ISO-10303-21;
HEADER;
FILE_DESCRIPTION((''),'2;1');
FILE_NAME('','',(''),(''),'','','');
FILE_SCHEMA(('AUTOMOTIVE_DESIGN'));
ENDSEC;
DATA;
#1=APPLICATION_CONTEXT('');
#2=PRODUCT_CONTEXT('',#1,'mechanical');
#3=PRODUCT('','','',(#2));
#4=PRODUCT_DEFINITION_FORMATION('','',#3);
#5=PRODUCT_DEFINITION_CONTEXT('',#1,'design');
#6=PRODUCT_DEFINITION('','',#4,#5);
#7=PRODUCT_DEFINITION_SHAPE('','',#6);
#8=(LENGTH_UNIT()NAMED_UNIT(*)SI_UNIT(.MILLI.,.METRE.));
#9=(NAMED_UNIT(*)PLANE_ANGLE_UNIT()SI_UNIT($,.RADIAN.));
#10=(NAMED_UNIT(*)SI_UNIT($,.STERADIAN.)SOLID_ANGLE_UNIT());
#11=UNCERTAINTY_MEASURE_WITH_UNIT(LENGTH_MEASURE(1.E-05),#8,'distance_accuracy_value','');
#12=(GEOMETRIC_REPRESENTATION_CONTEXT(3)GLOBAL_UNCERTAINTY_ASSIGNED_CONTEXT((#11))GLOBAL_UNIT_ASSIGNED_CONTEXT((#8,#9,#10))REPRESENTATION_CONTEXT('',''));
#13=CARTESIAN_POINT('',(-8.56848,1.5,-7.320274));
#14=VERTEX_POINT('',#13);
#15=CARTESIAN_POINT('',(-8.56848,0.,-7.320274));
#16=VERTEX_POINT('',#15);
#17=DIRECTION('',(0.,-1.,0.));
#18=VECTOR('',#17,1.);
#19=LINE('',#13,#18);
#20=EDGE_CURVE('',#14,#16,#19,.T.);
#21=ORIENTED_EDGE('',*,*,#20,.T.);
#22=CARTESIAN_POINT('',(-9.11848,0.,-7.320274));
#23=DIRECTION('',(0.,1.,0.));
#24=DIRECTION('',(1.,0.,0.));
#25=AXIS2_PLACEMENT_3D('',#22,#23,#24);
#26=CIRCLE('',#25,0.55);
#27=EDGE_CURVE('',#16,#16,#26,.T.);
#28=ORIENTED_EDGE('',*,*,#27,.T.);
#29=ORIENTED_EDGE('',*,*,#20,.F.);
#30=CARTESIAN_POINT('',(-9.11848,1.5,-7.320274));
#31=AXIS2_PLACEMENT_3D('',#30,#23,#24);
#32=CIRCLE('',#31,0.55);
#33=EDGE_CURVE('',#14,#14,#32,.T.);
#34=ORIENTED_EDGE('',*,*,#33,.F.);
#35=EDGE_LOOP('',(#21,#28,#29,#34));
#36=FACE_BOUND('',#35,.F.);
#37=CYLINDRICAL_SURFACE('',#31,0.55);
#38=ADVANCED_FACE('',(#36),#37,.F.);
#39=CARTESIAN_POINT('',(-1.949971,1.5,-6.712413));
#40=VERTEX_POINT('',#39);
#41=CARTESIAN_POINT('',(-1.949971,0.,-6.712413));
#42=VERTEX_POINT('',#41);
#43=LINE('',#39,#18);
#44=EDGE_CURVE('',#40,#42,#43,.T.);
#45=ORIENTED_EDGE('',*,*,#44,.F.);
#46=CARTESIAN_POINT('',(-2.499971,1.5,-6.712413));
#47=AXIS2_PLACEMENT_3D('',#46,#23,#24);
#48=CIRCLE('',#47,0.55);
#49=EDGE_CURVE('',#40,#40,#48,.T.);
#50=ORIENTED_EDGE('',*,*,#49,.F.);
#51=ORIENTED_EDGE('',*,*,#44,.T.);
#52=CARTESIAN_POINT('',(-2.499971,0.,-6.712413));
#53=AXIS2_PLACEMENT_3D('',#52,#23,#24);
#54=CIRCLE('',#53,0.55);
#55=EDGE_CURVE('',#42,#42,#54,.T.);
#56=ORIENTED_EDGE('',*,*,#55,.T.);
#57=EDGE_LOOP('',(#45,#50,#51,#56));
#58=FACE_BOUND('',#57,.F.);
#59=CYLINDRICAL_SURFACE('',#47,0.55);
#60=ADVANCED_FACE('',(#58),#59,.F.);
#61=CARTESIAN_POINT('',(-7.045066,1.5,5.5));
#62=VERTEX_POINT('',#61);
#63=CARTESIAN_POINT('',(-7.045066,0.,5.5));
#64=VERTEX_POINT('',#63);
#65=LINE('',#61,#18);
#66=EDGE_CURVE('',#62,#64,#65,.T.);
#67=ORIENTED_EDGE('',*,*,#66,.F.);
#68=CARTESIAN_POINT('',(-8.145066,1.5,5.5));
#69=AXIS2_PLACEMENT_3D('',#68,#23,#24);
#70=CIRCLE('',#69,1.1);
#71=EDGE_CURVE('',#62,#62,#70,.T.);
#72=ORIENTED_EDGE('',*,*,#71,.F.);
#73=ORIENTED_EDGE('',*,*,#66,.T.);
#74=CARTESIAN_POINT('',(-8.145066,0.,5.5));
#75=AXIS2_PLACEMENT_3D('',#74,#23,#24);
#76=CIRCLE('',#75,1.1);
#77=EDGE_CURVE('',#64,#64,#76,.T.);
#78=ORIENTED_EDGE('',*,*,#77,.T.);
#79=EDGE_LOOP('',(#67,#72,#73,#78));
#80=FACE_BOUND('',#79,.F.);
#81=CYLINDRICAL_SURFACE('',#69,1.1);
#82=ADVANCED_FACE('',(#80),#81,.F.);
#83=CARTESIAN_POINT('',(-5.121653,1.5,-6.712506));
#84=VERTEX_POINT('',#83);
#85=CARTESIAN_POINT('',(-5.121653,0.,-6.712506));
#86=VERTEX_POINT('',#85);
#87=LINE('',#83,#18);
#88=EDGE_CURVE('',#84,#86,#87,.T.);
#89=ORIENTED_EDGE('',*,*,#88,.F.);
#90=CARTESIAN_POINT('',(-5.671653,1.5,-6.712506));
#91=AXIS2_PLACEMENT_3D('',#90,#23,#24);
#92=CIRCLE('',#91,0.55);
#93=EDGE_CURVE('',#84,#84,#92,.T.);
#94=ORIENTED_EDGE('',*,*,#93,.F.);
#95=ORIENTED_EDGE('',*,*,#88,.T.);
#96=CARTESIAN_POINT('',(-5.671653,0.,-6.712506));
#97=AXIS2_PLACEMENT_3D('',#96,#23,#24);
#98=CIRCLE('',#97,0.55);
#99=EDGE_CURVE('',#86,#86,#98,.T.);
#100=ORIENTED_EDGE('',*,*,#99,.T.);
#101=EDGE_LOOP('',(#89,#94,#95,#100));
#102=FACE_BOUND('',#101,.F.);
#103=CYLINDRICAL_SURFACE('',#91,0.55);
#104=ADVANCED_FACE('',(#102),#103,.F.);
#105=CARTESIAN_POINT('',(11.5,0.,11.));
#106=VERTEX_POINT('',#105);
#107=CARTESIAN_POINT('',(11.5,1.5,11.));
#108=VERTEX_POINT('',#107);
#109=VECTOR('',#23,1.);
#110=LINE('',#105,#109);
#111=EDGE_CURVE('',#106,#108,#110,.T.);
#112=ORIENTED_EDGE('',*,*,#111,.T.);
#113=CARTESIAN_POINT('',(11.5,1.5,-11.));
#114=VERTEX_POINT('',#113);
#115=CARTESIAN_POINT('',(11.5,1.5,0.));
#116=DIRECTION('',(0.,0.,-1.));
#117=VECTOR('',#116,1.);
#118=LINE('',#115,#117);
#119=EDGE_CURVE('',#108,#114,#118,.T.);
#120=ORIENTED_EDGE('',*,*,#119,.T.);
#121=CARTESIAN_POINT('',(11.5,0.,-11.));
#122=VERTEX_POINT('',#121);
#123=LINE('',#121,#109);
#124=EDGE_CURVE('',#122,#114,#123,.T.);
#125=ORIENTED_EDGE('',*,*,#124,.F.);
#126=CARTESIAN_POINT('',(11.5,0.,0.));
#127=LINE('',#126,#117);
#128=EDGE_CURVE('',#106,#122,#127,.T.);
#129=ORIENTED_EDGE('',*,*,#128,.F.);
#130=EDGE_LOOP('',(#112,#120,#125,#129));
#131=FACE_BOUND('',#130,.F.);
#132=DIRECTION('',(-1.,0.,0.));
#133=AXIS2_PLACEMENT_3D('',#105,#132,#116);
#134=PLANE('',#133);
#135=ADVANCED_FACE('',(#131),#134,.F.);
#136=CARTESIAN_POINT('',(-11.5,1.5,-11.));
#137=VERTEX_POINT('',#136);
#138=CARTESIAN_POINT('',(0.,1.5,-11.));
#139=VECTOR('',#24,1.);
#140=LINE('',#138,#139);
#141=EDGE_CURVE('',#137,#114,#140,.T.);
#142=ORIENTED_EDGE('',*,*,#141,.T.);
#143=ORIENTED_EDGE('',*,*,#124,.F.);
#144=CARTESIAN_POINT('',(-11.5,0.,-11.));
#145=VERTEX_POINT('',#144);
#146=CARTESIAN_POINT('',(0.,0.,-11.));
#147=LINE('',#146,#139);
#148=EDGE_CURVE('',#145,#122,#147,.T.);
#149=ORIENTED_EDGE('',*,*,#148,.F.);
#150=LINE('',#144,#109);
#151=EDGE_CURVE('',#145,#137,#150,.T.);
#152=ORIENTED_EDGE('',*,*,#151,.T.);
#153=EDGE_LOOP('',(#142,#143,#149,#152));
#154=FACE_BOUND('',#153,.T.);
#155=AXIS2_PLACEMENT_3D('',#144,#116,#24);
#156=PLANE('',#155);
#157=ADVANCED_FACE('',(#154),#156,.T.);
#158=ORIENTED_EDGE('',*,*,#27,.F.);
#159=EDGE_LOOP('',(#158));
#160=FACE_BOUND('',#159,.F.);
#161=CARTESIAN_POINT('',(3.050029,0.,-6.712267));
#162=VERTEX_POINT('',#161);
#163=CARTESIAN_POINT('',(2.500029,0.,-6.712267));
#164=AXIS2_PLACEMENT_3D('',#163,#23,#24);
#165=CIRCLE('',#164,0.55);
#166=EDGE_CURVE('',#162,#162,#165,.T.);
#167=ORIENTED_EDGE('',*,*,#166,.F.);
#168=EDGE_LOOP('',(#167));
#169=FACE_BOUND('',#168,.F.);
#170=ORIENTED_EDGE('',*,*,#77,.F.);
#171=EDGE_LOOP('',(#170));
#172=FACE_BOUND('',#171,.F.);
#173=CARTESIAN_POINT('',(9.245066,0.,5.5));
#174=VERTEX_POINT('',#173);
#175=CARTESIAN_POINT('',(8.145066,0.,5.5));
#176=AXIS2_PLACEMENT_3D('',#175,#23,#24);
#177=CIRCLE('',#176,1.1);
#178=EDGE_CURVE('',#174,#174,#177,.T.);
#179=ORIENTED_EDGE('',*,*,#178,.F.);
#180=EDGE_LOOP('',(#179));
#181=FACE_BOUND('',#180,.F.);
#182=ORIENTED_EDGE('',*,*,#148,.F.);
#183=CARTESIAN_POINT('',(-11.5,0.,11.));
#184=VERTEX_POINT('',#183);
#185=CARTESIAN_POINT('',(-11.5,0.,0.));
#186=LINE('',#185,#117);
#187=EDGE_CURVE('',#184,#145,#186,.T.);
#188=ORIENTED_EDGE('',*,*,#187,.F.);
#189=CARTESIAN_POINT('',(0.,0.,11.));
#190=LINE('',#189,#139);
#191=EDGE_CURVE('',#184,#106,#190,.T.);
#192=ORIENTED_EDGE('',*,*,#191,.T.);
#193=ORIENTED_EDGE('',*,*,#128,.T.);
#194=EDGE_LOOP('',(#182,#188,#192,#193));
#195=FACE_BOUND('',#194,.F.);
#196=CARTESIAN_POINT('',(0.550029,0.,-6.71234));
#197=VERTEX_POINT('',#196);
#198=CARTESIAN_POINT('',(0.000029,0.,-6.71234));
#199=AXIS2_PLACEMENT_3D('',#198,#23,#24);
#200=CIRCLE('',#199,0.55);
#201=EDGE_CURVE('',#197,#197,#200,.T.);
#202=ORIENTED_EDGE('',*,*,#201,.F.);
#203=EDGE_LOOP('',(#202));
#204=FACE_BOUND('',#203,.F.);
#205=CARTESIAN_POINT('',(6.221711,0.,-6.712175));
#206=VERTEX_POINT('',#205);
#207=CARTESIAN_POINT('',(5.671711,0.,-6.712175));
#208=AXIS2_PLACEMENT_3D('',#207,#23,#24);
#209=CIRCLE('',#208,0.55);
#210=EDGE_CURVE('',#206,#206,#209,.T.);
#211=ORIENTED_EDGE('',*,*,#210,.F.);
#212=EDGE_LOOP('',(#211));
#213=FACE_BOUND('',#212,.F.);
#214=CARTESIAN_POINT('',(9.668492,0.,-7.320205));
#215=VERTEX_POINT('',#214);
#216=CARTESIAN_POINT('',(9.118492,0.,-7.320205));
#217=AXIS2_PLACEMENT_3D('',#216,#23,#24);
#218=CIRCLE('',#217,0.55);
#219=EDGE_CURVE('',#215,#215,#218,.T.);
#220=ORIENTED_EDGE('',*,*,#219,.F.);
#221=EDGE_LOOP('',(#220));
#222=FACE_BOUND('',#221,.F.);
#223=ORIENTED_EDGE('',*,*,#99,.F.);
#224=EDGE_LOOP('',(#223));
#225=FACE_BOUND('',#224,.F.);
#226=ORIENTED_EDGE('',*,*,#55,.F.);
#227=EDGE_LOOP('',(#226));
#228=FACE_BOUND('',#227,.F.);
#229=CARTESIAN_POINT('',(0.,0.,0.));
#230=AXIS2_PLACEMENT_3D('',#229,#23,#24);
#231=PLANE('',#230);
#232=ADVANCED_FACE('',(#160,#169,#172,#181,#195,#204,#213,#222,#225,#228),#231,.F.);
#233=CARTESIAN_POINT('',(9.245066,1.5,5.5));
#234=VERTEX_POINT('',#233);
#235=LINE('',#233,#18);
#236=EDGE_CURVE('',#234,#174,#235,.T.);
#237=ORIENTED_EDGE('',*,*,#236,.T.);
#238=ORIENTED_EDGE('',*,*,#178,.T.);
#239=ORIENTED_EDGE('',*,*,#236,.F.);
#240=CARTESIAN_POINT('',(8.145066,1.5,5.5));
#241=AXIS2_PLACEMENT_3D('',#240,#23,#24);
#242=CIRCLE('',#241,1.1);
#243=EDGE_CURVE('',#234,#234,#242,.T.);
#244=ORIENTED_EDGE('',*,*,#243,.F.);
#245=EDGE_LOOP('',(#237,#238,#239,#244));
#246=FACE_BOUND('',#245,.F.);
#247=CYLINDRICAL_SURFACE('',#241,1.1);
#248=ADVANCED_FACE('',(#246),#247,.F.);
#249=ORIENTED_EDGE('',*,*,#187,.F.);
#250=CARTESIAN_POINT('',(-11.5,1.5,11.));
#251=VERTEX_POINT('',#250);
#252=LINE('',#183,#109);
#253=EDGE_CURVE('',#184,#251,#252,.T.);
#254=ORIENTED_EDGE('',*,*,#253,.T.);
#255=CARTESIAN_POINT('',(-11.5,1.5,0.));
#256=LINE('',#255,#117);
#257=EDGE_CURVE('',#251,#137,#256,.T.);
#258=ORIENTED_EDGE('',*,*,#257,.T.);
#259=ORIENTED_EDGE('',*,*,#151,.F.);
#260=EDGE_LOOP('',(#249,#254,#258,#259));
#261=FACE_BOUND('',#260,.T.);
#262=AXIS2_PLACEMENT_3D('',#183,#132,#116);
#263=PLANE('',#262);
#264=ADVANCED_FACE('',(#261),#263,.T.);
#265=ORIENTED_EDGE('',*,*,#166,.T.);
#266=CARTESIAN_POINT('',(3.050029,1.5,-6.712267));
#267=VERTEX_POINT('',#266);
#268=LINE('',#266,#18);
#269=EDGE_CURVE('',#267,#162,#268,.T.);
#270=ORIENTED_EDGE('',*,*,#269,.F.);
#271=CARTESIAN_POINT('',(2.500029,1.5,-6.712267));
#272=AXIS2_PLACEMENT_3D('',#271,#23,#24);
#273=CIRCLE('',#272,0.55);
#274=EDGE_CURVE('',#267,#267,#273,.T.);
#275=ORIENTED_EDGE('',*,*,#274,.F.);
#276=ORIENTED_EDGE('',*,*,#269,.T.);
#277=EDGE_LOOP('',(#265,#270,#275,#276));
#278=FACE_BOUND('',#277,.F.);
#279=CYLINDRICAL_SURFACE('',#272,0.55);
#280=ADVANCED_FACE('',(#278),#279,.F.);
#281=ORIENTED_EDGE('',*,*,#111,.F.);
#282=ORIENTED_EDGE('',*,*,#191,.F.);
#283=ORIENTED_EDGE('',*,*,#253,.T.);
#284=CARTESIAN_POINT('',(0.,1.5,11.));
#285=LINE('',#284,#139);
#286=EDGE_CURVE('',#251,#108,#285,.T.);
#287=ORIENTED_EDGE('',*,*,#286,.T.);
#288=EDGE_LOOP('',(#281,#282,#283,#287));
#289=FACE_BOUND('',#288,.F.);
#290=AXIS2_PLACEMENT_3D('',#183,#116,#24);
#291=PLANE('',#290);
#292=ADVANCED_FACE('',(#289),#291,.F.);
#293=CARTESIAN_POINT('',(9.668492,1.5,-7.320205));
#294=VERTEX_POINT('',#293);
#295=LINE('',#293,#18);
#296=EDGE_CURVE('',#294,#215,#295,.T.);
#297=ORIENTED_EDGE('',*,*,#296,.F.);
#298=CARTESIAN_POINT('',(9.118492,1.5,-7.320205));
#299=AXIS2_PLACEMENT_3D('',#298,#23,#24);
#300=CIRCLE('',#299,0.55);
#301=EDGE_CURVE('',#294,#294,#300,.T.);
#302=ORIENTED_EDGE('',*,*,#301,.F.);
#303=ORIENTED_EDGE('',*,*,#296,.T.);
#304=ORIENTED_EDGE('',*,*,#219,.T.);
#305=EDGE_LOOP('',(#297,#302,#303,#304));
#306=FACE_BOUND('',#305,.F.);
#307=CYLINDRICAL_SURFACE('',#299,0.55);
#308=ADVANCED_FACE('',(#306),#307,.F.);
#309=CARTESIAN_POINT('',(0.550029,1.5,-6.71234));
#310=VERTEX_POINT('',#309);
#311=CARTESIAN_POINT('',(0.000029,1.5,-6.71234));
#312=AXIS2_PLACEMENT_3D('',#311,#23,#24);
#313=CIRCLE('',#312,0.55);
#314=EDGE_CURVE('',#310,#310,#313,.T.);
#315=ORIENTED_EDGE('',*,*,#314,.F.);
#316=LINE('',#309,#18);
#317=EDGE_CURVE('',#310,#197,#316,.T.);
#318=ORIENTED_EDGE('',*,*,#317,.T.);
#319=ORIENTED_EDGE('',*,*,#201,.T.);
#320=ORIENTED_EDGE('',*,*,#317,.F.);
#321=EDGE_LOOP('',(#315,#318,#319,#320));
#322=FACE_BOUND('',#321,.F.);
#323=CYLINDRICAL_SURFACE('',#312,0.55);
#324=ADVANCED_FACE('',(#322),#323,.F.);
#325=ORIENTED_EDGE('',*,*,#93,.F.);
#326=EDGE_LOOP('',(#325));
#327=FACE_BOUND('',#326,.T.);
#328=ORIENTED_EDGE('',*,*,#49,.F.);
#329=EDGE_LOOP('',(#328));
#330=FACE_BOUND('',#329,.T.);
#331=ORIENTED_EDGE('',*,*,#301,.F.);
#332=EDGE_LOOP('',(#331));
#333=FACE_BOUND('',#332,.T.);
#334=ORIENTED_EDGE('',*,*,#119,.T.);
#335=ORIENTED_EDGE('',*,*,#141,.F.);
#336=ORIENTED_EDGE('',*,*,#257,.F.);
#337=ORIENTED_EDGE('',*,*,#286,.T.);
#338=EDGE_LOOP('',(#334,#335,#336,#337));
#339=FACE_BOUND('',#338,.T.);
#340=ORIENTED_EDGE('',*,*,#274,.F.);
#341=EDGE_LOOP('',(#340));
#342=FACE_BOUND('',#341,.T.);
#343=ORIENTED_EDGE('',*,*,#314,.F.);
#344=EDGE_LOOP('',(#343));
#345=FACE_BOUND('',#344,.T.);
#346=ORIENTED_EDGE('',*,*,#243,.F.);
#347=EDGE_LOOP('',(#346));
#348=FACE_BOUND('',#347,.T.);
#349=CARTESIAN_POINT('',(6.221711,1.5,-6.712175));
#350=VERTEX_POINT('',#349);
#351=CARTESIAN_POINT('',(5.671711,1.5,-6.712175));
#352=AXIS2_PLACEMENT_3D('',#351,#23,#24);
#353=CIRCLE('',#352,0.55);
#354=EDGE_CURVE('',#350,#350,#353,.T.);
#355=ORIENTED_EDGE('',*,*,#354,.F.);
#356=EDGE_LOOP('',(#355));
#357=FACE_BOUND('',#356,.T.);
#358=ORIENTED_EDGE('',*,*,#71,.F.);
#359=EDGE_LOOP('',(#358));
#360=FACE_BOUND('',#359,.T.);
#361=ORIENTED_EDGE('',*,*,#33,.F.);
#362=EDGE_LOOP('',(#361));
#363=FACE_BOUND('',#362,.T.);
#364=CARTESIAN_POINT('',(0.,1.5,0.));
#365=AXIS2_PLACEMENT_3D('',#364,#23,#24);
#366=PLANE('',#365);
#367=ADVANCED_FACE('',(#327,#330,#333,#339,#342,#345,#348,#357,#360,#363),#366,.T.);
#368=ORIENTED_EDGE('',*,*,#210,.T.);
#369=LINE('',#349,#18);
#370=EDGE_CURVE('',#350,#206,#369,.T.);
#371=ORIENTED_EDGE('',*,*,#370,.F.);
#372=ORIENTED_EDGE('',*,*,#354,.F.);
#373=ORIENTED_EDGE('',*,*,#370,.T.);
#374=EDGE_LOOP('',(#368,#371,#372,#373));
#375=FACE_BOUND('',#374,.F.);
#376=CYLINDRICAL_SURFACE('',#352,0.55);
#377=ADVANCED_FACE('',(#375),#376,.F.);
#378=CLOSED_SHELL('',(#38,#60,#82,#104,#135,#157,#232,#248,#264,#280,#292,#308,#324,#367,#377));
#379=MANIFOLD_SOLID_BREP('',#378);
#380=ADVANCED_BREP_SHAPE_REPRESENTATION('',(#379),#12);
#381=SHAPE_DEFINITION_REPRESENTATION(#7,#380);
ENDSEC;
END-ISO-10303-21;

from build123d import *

# Parameters (mm, degrees)
SKETCH1_W           = 23
SKETCH1_H           = 22
BOSS_EXTRUDE1_DEPTH = 1.5
SKETCH3_R           = 1.1
SKETCH3_R_2         = 0.55
CUT_EXTRUDE1_DEPTH  = 2.5


with BuildPart() as part:
    # Sketch1 → Boss-Extrude1 (new body)
    with BuildSketch(Plane(origin=(0, 0, 0), x_dir=(1, 0, 0), z_dir=(0, 1, 0))):
        Rectangle(SKETCH1_W, SKETCH1_H)
    extrude(amount=BOSS_EXTRUDE1_DEPTH)

    # Sketch3 → Cut-Extrude1 (cut, through all)
    with BuildSketch(Plane(origin=(0, 1.5, 0), x_dir=(1, 0, 0), z_dir=(0, 1, 0))):
        with Locations((-8.145066425, -5.5)):
            Circle(SKETCH3_R)
        with Locations((-9.118479993, 7.320274236)):
            Circle(SKETCH3_R_2)
        with Locations((-5.671652858, 6.712505614)):
            Circle(SKETCH3_R_2)
        with Locations((-2.499970841, 6.712413139)):
            Circle(SKETCH3_R_2)
        with Locations((2.9158e-05, 6.712340249)):
            Circle(SKETCH3_R_2)
        with Locations((2.500029157, 6.712267358)):
            Circle(SKETCH3_R_2)
        with Locations((5.671711174, 6.712174883)):
            Circle(SKETCH3_R_2)
        with Locations((9.118492048, 7.320205417)):
            Circle(SKETCH3_R_2)
        with Locations((8.145066425, -5.5)):
            Circle(SKETCH3_R)
    extrude(amount=-CUT_EXTRUDE1_DEPTH, mode=Mode.SUBTRACT)


solid = part.part
